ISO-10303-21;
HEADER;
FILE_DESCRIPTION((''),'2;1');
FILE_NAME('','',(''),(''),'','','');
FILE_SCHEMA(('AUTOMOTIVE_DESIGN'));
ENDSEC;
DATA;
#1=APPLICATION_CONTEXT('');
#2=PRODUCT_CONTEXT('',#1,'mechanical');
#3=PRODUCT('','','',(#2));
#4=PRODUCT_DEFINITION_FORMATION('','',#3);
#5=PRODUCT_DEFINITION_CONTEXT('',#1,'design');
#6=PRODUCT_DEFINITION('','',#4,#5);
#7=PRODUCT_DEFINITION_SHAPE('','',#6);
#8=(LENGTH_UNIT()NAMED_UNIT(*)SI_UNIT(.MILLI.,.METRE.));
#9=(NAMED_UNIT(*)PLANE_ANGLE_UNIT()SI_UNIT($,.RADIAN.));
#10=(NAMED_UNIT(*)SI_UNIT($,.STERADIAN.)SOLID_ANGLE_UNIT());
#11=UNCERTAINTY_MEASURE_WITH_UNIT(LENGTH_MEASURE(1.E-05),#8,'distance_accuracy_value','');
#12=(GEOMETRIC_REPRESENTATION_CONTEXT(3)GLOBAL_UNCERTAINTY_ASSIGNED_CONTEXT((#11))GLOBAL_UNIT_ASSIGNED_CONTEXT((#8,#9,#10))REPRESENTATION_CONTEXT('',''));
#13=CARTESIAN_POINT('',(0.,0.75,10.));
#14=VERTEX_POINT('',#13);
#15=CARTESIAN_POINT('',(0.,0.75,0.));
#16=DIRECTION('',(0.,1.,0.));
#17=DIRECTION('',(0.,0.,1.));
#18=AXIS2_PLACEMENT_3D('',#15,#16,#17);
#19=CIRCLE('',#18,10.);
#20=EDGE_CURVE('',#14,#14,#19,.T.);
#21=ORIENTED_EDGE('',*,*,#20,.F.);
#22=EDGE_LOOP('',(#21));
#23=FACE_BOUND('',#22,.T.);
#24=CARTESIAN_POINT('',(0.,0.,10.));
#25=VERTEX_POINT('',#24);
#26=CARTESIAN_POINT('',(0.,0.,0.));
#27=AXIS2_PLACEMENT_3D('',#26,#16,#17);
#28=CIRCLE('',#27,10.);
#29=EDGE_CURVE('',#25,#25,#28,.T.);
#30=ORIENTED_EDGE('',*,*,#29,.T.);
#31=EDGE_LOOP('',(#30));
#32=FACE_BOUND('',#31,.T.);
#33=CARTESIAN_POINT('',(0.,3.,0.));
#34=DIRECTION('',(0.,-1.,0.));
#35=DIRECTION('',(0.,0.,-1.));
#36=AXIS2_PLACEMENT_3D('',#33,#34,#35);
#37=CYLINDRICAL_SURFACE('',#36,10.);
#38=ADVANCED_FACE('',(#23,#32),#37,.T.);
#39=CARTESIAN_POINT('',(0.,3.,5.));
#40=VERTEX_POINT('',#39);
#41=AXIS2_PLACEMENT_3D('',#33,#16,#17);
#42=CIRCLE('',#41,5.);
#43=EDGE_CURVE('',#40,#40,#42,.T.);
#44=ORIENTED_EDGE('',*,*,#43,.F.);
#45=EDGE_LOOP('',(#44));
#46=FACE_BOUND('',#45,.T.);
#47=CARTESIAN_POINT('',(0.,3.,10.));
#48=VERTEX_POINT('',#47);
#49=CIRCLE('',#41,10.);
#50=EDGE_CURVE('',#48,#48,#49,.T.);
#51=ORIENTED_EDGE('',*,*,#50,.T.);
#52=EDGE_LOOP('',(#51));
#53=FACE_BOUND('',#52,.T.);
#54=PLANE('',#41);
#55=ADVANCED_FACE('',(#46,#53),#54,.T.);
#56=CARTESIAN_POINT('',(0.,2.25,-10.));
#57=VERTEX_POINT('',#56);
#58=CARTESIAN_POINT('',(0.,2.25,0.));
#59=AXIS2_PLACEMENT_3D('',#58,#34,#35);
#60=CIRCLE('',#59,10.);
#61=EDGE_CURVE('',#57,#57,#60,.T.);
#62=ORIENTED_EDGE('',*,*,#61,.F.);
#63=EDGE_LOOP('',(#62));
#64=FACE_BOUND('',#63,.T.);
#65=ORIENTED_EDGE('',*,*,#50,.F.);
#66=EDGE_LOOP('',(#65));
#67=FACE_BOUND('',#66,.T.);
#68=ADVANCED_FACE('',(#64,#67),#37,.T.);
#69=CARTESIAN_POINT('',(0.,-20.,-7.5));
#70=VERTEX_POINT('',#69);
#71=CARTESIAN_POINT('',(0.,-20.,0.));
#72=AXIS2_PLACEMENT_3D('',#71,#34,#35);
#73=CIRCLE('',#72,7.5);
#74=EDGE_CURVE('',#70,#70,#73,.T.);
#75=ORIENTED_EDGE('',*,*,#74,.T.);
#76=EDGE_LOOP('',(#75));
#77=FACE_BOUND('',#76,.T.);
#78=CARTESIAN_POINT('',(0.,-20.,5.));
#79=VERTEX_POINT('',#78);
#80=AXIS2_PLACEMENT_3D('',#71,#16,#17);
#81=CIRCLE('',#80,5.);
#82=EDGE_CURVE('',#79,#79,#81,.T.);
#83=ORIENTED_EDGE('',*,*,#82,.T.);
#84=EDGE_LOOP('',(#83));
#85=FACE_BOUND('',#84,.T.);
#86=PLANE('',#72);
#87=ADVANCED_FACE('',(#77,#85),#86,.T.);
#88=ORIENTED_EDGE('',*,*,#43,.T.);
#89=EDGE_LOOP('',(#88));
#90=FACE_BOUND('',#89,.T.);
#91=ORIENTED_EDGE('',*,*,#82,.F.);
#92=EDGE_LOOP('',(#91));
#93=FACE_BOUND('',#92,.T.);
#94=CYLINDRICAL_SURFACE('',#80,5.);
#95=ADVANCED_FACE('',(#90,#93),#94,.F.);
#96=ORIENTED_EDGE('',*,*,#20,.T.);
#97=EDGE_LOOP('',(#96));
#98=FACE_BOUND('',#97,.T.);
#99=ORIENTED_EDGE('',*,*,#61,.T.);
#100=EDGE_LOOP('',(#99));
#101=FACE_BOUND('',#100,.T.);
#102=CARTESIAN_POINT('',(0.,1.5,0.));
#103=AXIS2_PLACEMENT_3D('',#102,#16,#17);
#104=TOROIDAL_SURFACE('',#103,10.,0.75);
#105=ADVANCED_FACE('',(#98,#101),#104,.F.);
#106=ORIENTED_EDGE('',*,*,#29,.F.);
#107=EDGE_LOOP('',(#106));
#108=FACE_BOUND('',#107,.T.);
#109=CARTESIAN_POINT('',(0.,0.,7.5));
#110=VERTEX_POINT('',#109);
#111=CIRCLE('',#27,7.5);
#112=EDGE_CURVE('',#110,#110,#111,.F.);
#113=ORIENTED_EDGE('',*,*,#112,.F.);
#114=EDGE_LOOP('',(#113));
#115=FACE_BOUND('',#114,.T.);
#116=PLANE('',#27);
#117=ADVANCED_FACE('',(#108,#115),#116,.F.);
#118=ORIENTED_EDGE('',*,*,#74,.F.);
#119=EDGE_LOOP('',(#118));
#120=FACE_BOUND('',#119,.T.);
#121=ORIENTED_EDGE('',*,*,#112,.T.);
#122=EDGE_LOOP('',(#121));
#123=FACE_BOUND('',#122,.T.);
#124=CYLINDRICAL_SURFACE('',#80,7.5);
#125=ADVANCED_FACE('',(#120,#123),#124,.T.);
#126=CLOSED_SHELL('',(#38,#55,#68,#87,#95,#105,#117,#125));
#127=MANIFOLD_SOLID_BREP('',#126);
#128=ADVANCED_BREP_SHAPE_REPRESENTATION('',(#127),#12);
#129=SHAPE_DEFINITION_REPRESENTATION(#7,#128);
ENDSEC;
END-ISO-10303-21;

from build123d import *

# Parameters (mm, degrees)
CROQUIS1_R              = 10
SALIENTE_EXTRUIR1_DEPTH = 3
CROQUIS2_R              = 0.75
CROQUIS4_R              = 7.5
SALIENTE_EXTRUIR2_DEPTH = 20
CROQUIS3_R              = 5
CORTAR_EXTRUIR1_DEPTH   = 28


with BuildPart() as part:
    # Croquis1 → Saliente-Extruir1 (new body)
    with BuildSketch(Plane(origin=(0, 0, 0), x_dir=(1, 0, 0), z_dir=(0, 1, 0))):
        with Locations(Location((0, 0, 0), (0, 0, 270))):
            Circle(CROQUIS1_R)
    extrude(amount=SALIENTE_EXTRUIR1_DEPTH)

    # Croquis2 → Cortar-Revolución1 (revolve, cut)
    with BuildSketch(Plane(origin=(0, 0, 0), x_dir=(0, 0, -1), z_dir=(1, 0, 0)), mode=Mode.PRIVATE) as cortar_revoluci_n1_sk:
        with Locations((10, 1.5)):
            Circle(CROQUIS2_R)
    revolve(cortar_revoluci_n1_sk.sketch.rotate(Axis((0, 3, 0), (0, -1, 0)), 180), axis=Axis((0, 3, 0), (0, -1, 0)), mode=Mode.SUBTRACT)

    # Croquis4 → Saliente-Extruir2 (add)
    with BuildSketch(Plane.XZ):
        with Locations(Location((0, 0, 0), (0, 0, 90))):
            Circle(CROQUIS4_R)
    extrude(amount=SALIENTE_EXTRUIR2_DEPTH)

    # Croquis3 → Cortar-Extruir1 (cut, through all)
    with BuildSketch(Plane(origin=(0, 3, 0), x_dir=(1, 0, 0), z_dir=(0, 1, 0))):
        with Locations(Location((0, 0, 0), (0, 0, 270))):
            Circle(CROQUIS3_R)
    extrude(amount=-CORTAR_EXTRUIR1_DEPTH, mode=Mode.SUBTRACT)


solid = part.part
